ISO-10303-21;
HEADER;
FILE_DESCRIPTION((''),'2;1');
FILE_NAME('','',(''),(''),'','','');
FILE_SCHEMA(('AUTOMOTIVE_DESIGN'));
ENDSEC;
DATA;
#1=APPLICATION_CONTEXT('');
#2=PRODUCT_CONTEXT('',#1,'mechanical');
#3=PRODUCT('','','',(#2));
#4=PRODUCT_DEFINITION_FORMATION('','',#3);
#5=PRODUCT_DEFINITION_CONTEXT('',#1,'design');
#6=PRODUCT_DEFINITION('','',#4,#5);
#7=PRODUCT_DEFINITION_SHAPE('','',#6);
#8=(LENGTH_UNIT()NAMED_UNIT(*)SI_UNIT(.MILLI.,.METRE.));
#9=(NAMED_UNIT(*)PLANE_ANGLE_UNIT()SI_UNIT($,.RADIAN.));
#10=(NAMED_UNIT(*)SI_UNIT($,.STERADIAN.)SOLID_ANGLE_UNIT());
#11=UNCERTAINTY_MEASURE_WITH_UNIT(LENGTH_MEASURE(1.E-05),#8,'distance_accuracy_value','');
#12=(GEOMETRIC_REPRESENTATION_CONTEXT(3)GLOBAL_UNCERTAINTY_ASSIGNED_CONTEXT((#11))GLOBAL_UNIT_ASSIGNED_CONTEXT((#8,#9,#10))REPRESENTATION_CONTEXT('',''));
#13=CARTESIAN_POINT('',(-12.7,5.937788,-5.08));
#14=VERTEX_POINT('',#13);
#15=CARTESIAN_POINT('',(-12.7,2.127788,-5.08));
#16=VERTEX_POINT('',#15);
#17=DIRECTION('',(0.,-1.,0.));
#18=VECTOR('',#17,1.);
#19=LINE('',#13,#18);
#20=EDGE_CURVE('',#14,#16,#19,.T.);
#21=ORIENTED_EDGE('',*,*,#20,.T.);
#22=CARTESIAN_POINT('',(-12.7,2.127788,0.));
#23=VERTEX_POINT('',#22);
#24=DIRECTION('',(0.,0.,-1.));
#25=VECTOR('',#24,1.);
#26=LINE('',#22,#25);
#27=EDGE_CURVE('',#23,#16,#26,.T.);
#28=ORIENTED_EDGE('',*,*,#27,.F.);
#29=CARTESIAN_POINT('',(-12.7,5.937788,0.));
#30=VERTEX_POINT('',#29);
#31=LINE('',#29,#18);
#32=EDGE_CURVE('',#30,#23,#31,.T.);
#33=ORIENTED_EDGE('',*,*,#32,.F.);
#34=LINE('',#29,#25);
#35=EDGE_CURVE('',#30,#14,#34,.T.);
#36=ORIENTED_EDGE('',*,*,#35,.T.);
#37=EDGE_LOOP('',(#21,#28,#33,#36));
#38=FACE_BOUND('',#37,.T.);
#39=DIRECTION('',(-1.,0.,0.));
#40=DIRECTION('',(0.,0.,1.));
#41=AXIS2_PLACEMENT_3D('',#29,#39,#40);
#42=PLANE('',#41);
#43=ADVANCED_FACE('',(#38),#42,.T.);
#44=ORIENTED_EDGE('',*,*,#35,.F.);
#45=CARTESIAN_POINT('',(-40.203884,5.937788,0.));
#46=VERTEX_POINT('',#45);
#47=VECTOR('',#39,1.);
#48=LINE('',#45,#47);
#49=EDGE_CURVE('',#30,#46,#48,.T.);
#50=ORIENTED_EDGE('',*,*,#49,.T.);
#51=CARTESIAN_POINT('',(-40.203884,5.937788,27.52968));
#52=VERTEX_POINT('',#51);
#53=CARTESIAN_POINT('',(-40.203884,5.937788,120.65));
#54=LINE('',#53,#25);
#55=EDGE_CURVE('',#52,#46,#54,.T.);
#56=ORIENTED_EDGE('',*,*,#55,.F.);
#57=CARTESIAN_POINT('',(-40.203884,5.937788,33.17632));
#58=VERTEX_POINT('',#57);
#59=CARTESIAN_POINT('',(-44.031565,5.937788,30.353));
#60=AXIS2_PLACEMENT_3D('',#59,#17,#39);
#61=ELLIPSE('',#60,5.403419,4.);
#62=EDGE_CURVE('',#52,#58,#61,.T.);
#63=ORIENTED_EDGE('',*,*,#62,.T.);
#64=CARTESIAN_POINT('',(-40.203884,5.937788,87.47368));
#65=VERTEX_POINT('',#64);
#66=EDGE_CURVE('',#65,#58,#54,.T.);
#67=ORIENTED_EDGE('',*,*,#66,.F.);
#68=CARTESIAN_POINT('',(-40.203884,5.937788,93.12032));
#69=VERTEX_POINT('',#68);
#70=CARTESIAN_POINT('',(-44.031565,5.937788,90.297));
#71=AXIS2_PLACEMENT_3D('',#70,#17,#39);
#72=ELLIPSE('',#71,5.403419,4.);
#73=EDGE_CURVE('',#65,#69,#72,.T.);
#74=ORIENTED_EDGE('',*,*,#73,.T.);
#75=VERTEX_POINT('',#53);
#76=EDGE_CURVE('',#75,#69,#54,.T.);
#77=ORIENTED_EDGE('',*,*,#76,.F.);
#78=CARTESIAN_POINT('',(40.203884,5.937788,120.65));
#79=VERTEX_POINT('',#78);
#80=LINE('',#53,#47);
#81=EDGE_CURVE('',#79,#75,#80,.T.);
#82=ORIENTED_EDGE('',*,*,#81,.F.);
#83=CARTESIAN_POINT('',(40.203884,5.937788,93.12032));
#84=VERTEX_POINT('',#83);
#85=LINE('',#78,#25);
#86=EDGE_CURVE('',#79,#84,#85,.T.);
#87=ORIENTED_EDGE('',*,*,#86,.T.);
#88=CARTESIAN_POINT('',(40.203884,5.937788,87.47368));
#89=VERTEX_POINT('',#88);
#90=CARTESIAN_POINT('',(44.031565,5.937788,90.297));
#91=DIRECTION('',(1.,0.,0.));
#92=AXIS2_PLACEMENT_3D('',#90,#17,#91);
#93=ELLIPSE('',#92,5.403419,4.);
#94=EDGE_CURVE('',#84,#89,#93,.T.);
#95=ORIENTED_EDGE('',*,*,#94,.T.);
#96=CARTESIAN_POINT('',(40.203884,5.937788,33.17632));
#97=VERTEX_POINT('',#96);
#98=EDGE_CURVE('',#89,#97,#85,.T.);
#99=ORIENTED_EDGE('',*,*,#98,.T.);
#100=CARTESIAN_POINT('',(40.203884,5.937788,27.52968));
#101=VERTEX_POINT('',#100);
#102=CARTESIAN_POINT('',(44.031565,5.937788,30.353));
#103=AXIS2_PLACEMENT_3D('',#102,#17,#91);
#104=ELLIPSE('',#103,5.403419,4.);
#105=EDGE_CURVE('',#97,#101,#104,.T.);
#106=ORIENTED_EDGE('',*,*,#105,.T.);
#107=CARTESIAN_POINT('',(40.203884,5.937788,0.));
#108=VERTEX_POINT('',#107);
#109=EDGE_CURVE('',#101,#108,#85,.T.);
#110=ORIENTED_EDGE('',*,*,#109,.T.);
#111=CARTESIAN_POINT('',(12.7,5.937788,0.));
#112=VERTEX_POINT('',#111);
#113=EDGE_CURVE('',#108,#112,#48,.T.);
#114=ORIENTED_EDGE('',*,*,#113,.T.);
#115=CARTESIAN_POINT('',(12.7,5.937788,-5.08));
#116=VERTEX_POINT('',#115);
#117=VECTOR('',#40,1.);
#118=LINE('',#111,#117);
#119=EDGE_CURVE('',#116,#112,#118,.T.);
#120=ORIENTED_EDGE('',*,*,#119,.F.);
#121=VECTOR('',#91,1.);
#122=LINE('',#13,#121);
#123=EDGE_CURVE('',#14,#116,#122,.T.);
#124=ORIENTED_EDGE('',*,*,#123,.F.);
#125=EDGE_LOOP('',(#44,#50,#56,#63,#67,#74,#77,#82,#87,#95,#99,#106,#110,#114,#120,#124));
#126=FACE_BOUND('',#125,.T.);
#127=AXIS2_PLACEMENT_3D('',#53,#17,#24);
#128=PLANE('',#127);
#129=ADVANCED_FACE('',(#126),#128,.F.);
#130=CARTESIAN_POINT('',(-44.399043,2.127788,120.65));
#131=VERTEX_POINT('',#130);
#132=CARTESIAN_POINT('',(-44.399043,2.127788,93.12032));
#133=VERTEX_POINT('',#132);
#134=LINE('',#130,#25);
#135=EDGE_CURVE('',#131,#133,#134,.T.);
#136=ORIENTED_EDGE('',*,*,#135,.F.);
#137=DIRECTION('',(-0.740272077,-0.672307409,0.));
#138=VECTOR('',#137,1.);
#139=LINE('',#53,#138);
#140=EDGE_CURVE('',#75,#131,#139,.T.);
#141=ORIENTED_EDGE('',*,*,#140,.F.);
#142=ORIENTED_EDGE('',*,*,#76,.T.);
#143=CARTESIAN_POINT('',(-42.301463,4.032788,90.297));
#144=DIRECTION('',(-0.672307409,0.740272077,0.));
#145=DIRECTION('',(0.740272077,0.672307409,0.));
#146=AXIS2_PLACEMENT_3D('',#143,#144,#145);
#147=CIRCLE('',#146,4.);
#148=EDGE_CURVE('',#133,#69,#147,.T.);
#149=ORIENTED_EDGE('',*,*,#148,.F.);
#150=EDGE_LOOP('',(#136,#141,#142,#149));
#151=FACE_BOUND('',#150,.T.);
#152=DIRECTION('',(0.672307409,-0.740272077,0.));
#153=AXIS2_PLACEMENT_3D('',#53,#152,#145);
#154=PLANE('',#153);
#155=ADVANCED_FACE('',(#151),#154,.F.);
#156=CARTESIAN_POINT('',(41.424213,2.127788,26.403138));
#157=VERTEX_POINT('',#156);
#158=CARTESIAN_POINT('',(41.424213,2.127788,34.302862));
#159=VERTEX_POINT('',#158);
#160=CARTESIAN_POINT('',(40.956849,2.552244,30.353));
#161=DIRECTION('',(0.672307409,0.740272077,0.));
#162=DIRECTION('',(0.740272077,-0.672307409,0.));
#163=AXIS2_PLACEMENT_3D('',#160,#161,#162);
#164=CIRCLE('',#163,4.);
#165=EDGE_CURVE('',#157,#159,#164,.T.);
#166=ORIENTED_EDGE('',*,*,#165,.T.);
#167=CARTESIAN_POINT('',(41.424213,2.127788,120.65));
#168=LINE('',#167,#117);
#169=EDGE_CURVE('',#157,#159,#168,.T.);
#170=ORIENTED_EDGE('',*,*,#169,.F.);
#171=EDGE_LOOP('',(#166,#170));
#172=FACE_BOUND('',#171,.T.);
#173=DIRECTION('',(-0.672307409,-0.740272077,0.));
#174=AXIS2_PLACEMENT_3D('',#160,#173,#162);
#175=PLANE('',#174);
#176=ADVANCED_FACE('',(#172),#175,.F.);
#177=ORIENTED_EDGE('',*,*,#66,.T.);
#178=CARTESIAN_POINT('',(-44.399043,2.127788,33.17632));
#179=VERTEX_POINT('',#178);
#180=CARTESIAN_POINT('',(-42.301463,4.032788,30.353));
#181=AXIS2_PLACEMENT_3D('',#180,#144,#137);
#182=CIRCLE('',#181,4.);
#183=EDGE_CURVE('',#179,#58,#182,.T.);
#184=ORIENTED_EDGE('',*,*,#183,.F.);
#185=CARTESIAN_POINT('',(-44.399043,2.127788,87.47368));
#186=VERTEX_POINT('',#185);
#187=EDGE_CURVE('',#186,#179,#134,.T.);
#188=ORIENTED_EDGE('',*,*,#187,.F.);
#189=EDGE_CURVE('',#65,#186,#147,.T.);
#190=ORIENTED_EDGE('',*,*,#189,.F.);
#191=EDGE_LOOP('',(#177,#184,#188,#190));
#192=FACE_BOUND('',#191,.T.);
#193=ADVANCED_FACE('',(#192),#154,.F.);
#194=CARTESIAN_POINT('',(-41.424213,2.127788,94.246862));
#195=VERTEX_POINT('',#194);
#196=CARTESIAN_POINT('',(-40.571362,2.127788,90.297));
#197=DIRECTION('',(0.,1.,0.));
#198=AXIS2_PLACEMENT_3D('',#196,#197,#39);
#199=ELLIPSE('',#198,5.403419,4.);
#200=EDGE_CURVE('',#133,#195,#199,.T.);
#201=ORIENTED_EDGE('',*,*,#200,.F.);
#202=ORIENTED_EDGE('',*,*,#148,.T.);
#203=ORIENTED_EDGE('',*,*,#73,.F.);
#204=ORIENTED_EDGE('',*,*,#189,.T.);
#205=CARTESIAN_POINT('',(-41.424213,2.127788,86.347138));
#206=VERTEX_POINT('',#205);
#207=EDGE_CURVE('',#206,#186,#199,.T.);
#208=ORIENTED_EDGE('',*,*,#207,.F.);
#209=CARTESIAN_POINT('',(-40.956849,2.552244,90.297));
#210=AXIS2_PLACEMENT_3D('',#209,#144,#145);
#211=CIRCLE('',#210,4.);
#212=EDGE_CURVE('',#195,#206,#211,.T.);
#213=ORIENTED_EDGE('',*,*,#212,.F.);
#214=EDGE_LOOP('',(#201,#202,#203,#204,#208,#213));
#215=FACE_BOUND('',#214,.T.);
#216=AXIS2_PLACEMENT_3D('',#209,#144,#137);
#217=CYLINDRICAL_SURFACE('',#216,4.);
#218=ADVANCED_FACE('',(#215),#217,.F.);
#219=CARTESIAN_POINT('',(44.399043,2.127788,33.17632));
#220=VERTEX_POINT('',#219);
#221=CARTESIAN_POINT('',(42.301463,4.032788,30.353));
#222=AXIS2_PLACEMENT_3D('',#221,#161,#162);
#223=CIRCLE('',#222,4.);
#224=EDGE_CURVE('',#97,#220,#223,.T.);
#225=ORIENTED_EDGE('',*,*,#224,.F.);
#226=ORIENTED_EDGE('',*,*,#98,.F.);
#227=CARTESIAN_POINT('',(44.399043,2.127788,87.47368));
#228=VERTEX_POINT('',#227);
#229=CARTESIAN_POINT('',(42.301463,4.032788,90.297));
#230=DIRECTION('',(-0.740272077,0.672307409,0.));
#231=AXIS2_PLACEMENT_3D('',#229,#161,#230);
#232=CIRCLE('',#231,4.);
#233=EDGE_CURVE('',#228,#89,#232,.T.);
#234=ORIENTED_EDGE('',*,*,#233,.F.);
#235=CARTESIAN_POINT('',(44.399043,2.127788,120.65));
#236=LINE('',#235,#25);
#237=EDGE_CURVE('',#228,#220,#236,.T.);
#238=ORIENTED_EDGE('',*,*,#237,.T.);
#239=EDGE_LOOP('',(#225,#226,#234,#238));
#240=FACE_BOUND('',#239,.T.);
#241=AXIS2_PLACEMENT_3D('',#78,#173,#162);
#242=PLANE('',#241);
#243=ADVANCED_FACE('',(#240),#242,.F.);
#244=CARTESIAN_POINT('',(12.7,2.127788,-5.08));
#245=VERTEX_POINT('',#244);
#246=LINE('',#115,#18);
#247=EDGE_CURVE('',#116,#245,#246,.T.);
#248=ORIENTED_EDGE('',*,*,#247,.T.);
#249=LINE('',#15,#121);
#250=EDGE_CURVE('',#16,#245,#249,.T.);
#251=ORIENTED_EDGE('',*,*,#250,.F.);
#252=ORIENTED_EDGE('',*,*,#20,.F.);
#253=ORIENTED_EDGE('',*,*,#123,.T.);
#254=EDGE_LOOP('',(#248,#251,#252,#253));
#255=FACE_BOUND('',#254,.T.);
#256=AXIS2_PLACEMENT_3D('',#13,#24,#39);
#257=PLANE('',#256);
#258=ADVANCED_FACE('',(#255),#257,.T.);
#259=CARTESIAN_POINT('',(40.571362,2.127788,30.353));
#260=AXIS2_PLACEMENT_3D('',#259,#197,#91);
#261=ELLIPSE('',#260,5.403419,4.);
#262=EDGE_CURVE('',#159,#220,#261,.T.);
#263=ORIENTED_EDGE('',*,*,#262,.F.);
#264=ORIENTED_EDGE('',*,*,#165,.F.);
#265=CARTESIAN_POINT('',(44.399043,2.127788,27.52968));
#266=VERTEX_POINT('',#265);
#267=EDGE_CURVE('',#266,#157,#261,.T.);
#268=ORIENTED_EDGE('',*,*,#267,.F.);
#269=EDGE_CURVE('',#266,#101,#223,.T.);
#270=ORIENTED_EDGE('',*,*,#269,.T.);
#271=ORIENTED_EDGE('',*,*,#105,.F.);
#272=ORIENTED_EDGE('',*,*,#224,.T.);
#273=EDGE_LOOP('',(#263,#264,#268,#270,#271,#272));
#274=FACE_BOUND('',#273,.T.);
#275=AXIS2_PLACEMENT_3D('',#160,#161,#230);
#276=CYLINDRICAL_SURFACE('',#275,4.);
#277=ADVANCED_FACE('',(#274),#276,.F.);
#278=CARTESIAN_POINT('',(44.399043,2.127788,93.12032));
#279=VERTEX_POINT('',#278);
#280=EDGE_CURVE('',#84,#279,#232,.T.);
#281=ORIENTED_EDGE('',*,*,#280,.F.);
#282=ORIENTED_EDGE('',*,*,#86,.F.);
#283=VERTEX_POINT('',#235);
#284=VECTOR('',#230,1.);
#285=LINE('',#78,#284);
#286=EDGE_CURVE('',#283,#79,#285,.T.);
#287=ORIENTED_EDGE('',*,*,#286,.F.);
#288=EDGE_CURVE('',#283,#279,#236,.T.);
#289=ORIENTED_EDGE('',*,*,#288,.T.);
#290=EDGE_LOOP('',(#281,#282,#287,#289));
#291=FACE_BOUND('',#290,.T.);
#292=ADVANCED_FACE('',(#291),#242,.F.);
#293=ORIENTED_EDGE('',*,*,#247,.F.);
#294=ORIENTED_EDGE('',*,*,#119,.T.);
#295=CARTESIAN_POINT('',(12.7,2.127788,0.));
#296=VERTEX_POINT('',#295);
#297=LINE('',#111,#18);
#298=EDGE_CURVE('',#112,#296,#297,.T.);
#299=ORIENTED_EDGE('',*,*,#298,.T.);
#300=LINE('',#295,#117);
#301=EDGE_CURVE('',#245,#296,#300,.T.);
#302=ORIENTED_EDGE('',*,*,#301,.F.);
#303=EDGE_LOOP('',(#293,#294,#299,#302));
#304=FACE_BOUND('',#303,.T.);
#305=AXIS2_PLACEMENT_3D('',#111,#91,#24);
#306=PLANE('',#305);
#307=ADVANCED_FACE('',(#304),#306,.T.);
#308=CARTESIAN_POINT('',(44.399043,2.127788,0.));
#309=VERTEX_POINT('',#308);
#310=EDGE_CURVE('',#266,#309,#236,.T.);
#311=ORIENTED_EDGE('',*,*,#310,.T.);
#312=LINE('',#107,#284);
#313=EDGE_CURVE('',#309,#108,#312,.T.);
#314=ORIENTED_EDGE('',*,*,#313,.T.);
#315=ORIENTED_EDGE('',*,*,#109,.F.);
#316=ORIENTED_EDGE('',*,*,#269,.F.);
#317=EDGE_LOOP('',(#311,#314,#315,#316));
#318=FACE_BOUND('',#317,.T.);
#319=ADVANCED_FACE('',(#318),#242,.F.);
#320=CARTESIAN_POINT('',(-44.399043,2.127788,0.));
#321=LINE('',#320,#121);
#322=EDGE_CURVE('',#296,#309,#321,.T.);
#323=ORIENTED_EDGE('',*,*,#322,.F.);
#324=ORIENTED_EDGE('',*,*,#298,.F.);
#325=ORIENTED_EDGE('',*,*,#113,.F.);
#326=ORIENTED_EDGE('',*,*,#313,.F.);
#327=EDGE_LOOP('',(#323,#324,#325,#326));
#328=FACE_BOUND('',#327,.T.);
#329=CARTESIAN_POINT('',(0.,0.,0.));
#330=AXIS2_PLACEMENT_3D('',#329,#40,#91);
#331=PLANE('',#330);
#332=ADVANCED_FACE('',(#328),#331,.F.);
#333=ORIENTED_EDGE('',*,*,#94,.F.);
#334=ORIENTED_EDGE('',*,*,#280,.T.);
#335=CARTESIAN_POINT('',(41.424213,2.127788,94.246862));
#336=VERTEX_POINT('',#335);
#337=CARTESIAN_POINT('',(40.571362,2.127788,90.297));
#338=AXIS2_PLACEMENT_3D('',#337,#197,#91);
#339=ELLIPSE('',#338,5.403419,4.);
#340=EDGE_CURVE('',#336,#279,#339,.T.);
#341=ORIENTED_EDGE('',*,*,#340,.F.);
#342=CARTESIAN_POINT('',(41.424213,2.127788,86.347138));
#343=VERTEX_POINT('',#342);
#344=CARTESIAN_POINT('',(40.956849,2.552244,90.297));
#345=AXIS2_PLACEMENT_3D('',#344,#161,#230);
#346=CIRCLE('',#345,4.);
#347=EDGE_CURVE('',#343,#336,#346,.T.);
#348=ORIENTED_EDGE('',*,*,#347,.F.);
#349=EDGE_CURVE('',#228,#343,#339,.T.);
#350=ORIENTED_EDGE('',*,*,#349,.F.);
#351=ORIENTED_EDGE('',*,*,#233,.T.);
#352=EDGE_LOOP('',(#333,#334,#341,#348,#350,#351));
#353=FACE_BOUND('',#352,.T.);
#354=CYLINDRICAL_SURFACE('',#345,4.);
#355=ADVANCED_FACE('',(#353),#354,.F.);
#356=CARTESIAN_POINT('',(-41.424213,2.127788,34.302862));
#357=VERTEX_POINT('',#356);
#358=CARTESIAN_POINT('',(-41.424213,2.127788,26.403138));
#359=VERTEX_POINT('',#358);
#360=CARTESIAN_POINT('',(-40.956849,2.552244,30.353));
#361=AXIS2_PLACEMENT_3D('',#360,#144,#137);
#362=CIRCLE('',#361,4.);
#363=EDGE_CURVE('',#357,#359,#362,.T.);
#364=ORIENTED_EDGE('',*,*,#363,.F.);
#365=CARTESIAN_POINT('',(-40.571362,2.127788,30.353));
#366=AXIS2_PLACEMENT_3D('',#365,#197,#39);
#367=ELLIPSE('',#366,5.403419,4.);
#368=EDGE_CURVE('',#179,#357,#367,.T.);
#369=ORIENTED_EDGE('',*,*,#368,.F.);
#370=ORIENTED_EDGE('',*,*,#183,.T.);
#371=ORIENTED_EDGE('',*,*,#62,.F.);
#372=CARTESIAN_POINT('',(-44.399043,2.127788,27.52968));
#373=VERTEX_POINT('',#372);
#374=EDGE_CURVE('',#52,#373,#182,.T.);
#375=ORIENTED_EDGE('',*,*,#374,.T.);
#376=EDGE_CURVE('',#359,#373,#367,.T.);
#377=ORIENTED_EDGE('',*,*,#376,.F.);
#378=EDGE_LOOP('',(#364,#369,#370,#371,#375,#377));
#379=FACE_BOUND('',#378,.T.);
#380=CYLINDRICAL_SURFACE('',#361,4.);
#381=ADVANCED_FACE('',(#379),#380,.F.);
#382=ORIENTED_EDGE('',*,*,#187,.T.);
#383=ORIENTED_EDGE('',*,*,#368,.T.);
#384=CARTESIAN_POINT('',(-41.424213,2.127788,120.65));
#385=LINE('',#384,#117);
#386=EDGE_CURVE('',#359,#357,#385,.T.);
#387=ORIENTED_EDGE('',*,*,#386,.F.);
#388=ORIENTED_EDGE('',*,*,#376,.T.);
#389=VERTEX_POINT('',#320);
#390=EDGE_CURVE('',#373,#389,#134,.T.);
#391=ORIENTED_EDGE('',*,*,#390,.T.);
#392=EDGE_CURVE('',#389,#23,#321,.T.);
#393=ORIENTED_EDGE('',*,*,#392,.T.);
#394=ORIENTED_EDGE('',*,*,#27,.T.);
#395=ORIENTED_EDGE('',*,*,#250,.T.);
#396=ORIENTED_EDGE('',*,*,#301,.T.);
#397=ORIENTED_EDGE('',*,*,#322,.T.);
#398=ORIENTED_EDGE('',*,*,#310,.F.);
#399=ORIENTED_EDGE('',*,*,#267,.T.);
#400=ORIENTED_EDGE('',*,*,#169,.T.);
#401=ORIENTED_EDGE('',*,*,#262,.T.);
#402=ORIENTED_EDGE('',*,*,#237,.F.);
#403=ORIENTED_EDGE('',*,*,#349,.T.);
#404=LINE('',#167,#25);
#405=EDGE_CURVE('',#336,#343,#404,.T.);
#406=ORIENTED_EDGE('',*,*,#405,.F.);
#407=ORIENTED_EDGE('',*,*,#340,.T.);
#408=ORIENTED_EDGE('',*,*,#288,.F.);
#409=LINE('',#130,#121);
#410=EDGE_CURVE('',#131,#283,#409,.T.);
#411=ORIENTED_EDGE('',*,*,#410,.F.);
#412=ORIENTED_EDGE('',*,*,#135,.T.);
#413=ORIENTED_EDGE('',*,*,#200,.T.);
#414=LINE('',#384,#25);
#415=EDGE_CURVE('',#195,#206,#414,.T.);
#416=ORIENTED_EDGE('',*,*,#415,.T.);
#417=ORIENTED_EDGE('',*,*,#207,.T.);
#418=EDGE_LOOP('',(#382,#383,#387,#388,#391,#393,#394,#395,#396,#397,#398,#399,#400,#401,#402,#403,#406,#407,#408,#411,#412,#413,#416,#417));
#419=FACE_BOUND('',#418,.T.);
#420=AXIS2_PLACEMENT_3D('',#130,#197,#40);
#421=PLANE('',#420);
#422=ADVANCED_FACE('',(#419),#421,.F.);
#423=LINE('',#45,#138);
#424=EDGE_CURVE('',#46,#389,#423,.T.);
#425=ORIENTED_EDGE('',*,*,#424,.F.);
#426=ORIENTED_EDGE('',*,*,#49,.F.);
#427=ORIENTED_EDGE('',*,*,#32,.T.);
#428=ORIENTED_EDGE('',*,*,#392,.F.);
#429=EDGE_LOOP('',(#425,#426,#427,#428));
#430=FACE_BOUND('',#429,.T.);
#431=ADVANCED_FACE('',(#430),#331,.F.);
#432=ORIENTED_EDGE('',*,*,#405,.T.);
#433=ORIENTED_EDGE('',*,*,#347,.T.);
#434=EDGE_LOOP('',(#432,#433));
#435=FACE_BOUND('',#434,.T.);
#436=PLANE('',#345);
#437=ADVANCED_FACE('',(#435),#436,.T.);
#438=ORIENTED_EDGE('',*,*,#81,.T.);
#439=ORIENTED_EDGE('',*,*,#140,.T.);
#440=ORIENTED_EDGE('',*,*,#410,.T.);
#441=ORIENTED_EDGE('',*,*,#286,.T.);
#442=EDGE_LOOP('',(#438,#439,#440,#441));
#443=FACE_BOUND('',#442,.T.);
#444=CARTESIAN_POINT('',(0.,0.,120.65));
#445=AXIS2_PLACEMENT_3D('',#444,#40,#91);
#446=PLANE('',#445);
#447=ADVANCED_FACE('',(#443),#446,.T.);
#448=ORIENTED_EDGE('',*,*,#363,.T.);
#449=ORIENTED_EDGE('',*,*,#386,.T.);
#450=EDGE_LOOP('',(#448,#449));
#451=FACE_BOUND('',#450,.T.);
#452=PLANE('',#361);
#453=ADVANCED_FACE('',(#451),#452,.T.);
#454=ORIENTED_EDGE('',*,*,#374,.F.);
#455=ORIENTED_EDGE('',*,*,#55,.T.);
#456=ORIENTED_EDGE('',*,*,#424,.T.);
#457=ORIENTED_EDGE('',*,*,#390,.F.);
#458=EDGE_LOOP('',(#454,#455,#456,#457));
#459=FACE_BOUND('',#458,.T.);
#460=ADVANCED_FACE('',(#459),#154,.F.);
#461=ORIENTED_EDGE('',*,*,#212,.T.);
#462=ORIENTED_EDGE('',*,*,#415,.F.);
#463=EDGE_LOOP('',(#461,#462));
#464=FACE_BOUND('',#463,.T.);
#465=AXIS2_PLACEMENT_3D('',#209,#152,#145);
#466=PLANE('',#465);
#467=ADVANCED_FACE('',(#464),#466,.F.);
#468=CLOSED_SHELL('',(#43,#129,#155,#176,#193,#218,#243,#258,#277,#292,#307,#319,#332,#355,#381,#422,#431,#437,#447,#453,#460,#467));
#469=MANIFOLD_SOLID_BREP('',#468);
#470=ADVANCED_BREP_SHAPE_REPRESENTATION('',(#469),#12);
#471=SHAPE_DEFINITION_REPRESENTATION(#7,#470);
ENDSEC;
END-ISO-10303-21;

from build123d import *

# Parameters (mm, degrees)
BOSS_EXTRUDE1_DEPTH = 120.65
SKETCH2_W           = 25.4
SKETCH2_H           = 5.08
BOSS_EXTRUDE2_DEPTH = 3.81
SKETCH3_R           = 4
CUT_EXTRUDE1_DEPTH  = 2
SKETCH4_R           = 4
CUT_EXTRUDE2_DEPTH  = 2


with BuildPart() as part:
    # Sketch1 → Boss-Extrude1 (new body)
    with BuildSketch(Plane.XY):
        Polygon((-40.203883769, 5.937788296), (40.203883769, 5.937788296), (44.399042974, 2.127788296), (-44.399042974, 2.127788296), align=None)
    extrude(amount=BOSS_EXTRUDE1_DEPTH)

    # Sketch2 → Boss-Extrude2 (add)
    with BuildSketch(Plane.XZ.offset(-2.127788296)):
        with Locations((0, -2.54)):
            Rectangle(SKETCH2_W, SKETCH2_H)
    extrude(amount=-BOSS_EXTRUDE2_DEPTH)

    # Sketch3 → Cut-Extrude1 (cut)
    with BuildSketch(Plane(origin=(-21.127225221, 23.263011377, 0), x_dir=(0.7402720771062569, 0.6723074087475075, 0), z_dir=(-0.6723074087475075, 0.7402720771062569, 0))):
        with Locations((-28.603318705, -30.353)):
            Circle(SKETCH3_R)
        with Locations((-28.603318705, -90.297)):
            Circle(SKETCH3_R)
    extrude(amount=-CUT_EXTRUDE1_DEPTH, mode=Mode.SUBTRACT)

    # Sketch4 → Cut-Extrude2 (cut)
    with BuildSketch(Plane(origin=(21.127225221, 23.263011377, 0), x_dir=(0.7402720771062569, -0.6723074087475075, 0), z_dir=(0.6723074087475075, 0.7402720771062569, 0))):
        with Locations((28.603318705, -90.297)):
            Circle(SKETCH4_R)
        with Locations((28.603318705, -30.353)):
            Circle(SKETCH4_R)
    extrude(amount=-CUT_EXTRUDE2_DEPTH, mode=Mode.SUBTRACT)


solid = part.part
